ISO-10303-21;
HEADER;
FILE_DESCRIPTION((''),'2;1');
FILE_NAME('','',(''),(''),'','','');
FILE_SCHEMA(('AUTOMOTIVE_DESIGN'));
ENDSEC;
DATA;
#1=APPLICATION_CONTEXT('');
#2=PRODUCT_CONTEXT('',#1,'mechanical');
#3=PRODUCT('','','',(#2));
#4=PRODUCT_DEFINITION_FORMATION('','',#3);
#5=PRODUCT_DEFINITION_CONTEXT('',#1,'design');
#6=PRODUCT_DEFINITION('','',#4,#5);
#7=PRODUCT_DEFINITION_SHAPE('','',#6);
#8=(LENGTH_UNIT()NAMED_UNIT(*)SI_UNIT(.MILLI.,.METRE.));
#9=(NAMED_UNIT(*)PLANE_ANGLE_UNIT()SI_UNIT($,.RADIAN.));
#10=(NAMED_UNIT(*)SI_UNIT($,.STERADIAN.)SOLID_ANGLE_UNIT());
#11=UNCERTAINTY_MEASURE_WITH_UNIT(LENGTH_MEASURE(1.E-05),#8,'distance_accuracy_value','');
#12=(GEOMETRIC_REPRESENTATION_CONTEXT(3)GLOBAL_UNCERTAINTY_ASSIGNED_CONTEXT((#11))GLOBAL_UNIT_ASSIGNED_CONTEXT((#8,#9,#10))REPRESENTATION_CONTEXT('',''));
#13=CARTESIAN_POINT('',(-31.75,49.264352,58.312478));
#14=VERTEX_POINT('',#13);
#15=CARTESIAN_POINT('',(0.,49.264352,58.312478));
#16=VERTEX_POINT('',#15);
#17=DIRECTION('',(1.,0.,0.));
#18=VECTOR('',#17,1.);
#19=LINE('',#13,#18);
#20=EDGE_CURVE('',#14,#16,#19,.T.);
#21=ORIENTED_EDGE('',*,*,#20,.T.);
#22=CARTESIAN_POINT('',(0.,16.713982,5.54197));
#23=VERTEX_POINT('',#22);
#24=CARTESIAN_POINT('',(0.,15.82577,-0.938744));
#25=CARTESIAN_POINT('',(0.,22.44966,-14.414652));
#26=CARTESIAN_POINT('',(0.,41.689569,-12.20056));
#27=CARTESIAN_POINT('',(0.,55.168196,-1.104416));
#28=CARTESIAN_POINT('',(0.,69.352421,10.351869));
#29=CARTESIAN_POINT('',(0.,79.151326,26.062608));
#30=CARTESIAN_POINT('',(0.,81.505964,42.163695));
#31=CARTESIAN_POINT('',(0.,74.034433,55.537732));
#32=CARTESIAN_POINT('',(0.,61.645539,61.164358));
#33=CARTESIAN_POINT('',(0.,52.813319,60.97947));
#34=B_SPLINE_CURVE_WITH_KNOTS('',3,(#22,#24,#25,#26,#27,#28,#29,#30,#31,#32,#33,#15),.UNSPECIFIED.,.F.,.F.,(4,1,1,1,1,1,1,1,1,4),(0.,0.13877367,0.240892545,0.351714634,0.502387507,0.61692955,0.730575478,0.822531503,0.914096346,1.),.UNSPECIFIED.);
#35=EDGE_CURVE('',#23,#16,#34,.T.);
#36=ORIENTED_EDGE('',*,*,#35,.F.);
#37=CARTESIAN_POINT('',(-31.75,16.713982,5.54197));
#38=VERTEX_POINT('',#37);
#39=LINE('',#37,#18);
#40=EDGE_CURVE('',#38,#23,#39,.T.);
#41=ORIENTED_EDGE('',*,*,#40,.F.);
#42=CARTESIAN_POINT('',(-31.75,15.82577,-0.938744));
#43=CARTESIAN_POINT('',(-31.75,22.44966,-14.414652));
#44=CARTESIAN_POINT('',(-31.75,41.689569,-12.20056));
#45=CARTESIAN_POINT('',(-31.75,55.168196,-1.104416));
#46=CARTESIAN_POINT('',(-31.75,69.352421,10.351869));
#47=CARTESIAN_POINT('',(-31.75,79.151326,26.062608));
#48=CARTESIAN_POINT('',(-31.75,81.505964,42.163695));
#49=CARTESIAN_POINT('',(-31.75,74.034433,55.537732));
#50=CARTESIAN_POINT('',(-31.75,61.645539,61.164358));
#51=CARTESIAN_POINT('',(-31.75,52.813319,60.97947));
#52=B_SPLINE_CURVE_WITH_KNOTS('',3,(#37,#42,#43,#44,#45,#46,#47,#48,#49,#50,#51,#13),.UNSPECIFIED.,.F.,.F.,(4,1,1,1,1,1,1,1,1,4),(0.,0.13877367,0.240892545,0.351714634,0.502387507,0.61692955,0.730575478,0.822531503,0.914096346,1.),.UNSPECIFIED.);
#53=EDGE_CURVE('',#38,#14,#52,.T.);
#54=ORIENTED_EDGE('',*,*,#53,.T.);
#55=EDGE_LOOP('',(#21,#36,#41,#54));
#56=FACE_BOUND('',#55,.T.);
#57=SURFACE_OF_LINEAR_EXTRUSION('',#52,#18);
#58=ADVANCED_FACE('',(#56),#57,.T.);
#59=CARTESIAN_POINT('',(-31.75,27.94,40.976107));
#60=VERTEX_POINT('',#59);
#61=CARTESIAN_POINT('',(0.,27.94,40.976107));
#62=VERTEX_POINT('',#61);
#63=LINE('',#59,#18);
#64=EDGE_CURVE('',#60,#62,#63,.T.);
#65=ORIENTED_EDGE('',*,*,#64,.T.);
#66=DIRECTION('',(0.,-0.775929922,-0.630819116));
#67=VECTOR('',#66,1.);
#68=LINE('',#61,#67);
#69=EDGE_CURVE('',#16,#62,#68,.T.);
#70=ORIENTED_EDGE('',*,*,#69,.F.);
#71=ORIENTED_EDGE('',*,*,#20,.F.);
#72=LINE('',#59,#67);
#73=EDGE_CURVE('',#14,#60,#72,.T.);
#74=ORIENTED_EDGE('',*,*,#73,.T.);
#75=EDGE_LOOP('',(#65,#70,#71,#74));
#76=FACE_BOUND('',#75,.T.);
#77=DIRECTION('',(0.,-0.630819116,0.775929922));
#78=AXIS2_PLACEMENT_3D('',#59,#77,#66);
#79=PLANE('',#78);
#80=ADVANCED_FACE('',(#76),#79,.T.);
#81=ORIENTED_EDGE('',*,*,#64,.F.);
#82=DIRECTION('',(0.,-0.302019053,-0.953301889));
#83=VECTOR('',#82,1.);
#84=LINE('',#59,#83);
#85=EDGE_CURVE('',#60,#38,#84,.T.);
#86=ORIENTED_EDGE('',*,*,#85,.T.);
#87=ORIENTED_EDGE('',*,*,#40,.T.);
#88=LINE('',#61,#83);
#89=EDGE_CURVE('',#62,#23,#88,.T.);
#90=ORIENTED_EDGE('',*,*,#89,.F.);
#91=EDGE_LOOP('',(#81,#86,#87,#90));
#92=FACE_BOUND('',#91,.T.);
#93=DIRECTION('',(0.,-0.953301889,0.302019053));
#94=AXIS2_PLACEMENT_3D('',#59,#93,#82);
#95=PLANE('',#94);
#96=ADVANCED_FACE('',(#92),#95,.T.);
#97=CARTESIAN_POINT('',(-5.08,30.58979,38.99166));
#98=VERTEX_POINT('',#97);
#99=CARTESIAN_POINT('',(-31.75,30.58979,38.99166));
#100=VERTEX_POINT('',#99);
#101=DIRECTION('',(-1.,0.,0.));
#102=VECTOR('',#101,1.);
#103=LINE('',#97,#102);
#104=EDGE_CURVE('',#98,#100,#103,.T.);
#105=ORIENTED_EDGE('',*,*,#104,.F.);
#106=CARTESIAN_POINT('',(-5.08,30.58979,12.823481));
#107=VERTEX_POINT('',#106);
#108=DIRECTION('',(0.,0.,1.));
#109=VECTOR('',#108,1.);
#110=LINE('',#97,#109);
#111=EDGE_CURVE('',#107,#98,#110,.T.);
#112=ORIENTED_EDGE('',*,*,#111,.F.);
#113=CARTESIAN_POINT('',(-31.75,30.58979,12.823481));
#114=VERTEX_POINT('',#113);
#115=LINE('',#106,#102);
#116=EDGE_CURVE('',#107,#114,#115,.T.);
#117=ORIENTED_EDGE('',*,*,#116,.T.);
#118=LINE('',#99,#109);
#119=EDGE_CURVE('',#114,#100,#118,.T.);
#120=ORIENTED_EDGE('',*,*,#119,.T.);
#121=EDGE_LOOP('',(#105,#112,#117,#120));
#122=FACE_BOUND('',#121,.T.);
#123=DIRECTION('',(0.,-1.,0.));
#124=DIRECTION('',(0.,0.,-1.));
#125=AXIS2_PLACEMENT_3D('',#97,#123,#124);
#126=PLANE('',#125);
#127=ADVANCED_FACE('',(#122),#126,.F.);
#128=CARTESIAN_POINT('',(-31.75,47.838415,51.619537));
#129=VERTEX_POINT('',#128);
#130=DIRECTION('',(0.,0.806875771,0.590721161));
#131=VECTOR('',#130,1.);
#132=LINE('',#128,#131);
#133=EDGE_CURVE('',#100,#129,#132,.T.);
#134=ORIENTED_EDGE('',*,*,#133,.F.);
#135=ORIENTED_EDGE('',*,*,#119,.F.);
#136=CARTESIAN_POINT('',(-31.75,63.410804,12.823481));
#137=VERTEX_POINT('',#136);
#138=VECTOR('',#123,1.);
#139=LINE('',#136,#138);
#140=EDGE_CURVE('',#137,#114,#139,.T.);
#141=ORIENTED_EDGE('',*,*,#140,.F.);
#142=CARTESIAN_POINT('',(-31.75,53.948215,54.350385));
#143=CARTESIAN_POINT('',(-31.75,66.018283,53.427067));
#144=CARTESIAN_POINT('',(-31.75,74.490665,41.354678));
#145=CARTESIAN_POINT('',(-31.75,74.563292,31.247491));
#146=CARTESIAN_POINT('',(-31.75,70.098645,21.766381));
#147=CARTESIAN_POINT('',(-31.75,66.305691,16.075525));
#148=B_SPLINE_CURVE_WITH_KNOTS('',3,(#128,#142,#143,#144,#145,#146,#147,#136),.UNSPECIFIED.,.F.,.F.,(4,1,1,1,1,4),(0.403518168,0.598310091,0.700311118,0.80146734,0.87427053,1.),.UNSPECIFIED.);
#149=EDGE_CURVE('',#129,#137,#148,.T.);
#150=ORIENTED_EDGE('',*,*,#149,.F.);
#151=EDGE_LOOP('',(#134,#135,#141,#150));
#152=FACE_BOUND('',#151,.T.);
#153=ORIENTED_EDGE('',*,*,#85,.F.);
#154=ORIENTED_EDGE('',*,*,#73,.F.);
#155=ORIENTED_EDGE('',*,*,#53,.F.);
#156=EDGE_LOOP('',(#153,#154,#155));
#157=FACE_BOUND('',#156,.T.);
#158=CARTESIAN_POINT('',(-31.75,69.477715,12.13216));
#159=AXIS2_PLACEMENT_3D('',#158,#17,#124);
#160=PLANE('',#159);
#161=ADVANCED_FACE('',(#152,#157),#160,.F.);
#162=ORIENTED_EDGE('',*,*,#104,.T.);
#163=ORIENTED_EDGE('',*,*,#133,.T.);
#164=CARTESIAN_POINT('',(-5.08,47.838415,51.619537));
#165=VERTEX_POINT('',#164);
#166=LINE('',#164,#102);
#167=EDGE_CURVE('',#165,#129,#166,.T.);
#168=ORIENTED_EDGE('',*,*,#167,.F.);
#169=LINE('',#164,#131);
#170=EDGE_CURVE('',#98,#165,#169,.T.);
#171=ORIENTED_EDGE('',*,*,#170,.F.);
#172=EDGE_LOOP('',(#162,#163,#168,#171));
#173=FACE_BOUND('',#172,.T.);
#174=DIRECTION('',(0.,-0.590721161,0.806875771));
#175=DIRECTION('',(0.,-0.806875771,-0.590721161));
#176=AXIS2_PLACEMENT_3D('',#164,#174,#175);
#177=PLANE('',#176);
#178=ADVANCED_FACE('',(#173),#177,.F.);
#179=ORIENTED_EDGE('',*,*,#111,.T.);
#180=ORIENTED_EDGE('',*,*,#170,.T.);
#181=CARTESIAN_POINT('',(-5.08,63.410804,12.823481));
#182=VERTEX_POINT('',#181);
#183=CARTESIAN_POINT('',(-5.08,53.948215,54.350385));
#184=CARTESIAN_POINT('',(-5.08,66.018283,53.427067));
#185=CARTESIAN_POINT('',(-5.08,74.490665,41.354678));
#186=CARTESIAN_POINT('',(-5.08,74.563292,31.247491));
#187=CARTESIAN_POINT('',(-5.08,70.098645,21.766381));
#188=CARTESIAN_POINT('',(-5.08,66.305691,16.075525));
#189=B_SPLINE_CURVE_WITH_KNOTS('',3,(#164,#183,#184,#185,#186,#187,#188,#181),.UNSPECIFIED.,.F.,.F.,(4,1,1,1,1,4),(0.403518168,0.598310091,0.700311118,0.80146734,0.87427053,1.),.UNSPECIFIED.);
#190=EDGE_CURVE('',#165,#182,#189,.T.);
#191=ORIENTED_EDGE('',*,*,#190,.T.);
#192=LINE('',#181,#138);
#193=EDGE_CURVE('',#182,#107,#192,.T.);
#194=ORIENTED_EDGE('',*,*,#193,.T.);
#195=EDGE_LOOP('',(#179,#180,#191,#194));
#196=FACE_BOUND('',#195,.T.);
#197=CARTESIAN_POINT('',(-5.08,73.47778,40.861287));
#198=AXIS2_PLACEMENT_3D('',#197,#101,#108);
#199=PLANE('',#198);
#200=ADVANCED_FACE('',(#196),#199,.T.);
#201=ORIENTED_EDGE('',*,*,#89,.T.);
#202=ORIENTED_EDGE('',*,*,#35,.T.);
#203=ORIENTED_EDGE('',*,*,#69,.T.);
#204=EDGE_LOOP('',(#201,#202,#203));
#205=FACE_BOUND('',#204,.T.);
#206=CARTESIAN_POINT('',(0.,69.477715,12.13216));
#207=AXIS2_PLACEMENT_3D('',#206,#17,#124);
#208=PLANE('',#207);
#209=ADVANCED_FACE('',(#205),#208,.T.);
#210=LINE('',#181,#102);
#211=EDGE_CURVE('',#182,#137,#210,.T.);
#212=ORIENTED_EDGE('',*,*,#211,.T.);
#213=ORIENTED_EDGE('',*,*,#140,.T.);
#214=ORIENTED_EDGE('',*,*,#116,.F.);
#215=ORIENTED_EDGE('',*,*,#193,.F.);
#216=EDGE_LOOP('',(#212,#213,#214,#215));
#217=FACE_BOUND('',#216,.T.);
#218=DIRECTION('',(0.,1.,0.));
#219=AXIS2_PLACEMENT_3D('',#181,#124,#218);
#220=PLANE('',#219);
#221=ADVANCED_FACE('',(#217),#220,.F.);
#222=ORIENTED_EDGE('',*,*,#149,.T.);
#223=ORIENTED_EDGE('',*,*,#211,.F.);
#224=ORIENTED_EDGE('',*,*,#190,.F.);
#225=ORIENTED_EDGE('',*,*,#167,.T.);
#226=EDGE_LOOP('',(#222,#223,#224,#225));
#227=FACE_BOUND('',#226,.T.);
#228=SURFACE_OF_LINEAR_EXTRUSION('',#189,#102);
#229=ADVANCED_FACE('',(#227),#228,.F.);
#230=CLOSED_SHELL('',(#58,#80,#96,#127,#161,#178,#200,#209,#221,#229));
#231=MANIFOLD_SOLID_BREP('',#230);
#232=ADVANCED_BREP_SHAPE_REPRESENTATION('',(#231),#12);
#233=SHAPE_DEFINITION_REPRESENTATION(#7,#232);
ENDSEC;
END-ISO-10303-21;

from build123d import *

# Parameters (mm, degrees)
BOSS_EXTRUDE3_DEPTH = 31.75
CUT_EXTRUDE1_DEPTH  = 26.67


with BuildPart() as part:
    # Sketch3 → Boss-Extrude3 (new body)
    with BuildSketch(Plane(origin=(0, 0, 0), x_dir=(0, 0, -1), z_dir=(1, 0, 0))):
        with BuildLine():
            Line((-40.97610675, 27.94), (-5.541970322, 16.71398183))
            add(Edge.make_bspline(
                [(-58.312477556, 49.264351944), (-60.979470459, 52.81331915), (-61.164357979, 61.6455386), (-55.537732377, 74.034432649), (-42.16369512, 81.50596405), (-26.062607722, 79.151326189), (-10.351869297, 69.352421272), (1.104415904, 55.168195736), (12.200560018, 41.689568578), (14.414652135, 22.449660006), (0.938744116, 15.82577004), (-5.541970322, 16.71398183)],
                knots=[0, 0, 0, 0, 0.085903654, 0.177468497, 0.269424522, 0.38307045, 0.497612493, 0.648285366, 0.759107455, 0.86122633, 1, 1, 1, 1], degree=3))
            Line((-58.312477556, 49.264351944), (-40.97610675, 27.94))
        make_face()
    extrude(amount=-BOSS_EXTRUDE3_DEPTH)

    # Sketch4 → Cut-Extrude1 (cut)
    with BuildSketch(Plane.ZY.offset(31.75)):
        with BuildLine():
            Line((51.619537388, 47.838415212), (38.991660301, 30.589789753))
            Line((38.991660301, 30.589789753), (12.82348056, 30.589789753))
            Line((12.82348056, 30.589789753), (12.82348056, 63.410804486))
            add(Edge.make_bspline(
                [(12.82348056, 63.410804486), (16.075524743, 66.305691468), (21.766381335, 70.098645112), (31.247490953, 74.563292025), (41.354678146, 74.490665245), (53.427066999, 66.018283329), (54.350384677, 53.94821484), (51.619537388, 47.838415212)],
                knots=[0.403518168, 0.403518168, 0.403518168, 0.403518168, 0.529247637, 0.602050827, 0.703207049, 0.805208076, 1, 1, 1, 1], degree=3))
        make_face()
    extrude(amount=-CUT_EXTRUDE1_DEPTH, mode=Mode.SUBTRACT)


solid = part.part
